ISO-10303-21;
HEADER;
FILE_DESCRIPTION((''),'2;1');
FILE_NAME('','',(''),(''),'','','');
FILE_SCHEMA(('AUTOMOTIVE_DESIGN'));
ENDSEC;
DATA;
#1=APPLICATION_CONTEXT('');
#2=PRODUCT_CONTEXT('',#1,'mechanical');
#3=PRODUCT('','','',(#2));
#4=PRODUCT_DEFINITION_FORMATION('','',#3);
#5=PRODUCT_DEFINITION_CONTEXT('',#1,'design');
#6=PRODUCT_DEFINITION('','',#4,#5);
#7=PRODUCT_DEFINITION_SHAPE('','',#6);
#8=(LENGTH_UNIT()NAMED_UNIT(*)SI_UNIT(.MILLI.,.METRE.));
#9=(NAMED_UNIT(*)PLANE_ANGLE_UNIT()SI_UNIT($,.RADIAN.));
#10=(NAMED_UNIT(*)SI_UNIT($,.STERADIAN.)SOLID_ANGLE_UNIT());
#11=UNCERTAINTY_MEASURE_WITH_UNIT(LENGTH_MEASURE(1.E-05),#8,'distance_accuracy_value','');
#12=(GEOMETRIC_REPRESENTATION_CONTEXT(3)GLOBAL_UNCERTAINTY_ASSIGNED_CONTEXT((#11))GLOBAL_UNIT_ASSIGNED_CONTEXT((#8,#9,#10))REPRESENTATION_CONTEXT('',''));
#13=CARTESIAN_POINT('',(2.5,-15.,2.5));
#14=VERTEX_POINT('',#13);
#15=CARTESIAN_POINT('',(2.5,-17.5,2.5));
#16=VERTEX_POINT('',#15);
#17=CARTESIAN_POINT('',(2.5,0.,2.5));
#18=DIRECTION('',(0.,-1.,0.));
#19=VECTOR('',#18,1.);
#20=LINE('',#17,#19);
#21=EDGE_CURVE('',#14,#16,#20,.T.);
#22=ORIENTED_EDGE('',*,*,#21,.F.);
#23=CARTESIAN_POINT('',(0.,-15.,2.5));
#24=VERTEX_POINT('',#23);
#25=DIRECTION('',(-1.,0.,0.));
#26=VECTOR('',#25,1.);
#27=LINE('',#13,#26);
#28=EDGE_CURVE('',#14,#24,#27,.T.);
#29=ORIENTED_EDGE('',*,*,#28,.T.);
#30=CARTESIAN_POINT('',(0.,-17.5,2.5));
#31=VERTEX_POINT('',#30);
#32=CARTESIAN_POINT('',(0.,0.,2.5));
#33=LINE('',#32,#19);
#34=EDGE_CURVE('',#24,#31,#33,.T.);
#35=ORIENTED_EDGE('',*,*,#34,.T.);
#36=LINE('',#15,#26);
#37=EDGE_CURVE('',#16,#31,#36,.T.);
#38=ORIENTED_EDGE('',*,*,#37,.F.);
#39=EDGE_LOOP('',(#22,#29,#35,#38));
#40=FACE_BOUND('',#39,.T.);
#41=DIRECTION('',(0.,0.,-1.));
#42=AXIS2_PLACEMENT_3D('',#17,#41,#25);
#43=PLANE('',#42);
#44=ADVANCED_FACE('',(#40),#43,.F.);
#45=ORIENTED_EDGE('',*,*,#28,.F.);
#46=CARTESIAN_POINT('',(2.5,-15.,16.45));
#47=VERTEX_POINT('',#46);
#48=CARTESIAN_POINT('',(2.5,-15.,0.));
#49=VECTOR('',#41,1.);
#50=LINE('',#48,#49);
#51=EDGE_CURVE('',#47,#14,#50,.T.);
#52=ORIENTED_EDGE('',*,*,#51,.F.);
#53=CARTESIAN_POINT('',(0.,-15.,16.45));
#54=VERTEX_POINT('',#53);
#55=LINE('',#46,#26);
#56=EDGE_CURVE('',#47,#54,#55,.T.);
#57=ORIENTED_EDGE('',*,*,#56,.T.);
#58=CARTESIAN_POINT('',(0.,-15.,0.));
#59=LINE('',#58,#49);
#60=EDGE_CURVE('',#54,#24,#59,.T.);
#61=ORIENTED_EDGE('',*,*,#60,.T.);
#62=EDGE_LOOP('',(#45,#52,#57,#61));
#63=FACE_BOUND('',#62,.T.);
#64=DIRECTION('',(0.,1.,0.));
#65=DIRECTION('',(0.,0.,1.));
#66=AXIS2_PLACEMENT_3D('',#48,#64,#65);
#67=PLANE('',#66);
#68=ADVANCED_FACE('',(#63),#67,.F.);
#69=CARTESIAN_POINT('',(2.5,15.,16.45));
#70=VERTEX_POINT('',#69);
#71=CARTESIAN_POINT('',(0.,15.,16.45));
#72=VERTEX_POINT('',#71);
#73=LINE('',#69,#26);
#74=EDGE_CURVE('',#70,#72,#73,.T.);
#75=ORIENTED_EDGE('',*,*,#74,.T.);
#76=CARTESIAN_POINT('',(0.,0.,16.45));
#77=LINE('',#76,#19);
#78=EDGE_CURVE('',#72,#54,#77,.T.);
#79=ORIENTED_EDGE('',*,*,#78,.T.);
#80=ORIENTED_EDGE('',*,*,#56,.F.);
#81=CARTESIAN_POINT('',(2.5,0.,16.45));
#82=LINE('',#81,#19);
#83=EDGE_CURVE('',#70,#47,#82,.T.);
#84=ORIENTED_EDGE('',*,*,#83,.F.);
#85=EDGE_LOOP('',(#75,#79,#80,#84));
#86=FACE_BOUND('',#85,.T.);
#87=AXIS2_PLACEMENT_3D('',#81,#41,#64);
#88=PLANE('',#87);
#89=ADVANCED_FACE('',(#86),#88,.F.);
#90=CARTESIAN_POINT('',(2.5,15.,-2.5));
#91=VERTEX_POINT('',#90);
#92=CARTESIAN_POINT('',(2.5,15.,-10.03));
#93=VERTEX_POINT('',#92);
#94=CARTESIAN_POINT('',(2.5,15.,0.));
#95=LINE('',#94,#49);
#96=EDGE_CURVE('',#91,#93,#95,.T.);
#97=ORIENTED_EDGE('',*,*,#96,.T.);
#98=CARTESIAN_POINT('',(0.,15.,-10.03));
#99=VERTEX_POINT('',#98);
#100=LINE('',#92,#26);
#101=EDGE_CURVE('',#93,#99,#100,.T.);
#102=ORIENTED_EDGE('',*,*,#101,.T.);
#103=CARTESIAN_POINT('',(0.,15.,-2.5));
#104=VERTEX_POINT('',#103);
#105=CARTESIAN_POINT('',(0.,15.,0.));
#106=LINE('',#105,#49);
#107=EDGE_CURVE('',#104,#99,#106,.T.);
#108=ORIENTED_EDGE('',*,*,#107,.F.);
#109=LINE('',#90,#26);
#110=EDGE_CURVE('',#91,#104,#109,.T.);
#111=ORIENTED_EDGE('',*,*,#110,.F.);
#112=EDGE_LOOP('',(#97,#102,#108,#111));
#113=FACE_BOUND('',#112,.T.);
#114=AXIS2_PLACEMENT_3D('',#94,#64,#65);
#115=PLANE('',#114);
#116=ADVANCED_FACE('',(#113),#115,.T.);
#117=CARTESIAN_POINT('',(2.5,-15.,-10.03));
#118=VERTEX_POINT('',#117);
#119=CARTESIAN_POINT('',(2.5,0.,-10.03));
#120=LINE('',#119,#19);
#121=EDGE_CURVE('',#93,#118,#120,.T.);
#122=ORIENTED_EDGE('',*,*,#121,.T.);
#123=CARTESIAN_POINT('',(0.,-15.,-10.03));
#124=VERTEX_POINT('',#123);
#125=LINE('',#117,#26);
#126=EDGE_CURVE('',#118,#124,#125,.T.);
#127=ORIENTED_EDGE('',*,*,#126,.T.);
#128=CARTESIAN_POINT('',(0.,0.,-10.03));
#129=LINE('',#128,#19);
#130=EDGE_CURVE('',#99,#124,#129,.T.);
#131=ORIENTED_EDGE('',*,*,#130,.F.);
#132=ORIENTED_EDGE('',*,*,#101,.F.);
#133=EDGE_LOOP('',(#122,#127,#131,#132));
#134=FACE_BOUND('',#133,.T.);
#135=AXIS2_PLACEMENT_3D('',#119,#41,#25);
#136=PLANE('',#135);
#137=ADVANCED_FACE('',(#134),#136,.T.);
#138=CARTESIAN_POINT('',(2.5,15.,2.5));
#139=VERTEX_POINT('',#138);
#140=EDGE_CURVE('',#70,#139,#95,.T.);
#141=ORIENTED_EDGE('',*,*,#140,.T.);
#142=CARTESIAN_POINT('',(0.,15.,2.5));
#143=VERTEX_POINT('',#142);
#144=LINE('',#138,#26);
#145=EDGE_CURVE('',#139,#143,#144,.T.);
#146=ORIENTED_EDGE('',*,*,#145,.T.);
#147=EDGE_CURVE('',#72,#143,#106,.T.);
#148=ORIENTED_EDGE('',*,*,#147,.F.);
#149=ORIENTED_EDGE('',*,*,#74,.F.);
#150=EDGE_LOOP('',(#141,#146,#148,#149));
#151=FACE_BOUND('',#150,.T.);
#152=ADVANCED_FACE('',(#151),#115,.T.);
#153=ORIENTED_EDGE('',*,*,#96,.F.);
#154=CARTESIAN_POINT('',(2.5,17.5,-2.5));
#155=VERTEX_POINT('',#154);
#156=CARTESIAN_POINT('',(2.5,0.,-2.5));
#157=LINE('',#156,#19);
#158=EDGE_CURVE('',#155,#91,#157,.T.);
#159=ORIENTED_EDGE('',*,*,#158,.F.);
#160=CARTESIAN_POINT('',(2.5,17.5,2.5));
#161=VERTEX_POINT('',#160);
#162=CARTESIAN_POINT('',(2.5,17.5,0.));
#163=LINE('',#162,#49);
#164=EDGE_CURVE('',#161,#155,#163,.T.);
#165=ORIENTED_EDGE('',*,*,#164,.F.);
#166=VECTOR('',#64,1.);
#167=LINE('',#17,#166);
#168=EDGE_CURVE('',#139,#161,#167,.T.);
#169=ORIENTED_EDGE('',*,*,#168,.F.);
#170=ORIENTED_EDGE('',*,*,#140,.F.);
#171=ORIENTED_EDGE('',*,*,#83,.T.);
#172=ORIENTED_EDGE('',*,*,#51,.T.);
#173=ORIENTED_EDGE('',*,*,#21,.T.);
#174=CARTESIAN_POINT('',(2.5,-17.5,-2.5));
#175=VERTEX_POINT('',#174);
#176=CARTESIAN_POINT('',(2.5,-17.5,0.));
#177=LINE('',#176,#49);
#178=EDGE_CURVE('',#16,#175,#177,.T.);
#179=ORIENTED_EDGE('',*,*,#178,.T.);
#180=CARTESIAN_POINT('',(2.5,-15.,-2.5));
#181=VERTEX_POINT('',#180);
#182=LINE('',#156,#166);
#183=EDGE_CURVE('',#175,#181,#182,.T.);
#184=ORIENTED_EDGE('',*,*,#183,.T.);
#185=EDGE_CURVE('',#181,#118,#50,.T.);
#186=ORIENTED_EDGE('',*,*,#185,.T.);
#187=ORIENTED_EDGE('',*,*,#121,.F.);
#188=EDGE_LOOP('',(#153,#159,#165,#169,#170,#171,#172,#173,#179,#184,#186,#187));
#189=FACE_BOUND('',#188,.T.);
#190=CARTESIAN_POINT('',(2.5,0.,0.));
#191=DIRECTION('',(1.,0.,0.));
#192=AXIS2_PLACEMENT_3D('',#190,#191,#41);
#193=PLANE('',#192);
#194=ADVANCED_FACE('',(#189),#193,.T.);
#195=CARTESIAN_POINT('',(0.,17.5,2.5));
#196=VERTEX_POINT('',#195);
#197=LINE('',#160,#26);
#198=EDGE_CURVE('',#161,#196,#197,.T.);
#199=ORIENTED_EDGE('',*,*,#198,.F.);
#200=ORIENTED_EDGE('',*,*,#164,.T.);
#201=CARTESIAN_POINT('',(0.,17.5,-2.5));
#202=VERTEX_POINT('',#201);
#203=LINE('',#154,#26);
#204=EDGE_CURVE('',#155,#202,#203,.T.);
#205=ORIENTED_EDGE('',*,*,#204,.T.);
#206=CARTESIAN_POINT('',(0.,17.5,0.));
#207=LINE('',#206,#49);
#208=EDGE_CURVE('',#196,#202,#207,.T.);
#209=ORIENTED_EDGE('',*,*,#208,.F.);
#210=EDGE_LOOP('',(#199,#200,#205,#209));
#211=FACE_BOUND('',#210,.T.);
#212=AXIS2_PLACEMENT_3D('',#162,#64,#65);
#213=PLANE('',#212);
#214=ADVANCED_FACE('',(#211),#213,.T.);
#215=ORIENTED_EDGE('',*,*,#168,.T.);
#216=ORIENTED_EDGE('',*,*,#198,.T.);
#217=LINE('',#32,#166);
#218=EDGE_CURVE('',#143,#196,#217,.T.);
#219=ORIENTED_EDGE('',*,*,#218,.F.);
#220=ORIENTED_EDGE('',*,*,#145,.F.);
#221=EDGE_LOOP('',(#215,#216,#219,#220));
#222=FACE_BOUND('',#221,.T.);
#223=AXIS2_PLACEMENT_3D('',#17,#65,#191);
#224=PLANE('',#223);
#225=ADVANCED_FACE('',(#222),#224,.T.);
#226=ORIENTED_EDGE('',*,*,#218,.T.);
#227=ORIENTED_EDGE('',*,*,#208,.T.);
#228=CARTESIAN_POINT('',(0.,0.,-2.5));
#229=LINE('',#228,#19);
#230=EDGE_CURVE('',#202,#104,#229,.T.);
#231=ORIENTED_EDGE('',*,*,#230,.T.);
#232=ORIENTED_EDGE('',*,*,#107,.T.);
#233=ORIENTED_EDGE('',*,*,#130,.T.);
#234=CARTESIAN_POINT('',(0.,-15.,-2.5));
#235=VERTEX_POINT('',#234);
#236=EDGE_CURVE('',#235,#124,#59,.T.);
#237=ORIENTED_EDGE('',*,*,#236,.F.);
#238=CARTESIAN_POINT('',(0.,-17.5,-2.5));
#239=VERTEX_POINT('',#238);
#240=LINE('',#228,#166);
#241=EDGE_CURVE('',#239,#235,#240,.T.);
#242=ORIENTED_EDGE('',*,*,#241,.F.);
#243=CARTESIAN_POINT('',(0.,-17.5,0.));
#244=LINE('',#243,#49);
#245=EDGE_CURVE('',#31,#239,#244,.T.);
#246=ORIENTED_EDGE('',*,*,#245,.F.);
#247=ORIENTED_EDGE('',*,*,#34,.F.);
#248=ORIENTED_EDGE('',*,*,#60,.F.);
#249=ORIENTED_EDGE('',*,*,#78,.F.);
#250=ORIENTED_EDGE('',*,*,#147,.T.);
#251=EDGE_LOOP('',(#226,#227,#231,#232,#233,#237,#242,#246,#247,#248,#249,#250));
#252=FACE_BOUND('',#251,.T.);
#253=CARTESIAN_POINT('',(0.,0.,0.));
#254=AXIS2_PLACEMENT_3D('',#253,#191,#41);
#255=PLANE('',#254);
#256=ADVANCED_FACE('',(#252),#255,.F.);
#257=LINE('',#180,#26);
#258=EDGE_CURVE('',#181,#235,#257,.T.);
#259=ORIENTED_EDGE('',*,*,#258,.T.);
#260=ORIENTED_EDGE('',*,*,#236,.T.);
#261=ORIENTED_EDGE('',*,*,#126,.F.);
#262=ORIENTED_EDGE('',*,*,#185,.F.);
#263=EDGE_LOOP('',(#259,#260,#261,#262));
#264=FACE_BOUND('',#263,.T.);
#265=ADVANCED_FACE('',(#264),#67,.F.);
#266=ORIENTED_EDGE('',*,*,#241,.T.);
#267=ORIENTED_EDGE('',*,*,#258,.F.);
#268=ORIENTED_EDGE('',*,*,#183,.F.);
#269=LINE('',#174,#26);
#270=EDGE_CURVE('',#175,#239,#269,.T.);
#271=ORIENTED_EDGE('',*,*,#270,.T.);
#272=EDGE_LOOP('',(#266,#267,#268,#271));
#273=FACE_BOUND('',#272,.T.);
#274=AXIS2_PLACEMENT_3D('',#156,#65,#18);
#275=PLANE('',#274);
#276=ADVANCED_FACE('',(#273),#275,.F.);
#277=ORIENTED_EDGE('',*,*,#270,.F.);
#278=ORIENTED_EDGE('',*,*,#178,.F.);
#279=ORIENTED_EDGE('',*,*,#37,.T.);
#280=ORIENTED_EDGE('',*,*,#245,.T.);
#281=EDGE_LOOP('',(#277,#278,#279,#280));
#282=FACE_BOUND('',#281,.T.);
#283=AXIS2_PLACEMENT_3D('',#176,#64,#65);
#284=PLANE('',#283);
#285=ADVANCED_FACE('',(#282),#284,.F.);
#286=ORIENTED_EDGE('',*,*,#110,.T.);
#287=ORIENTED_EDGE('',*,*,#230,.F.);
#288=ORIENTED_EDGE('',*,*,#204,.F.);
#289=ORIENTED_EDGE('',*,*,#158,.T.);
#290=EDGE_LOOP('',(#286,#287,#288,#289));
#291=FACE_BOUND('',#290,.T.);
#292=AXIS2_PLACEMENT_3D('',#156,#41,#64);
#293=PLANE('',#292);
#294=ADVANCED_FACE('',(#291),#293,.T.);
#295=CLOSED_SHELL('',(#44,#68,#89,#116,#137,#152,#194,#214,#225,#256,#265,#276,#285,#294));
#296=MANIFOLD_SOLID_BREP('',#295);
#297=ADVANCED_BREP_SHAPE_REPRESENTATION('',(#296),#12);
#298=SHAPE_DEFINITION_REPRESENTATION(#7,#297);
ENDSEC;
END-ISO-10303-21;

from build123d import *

# Parameters (mm, degrees)
BOSS_EXTRUDE4_DEPTH = 2.5


with BuildPart() as part:
    # Sketch1<5> → Boss-Extrude4 (new body)
    with BuildSketch(Plane(origin=(0, 0, 0), x_dir=(0, 0, -1), z_dir=(1, 0, 0))):
        Polygon((-16.45, -15), (-2.5, -15), (-2.5, -17.5), (2.5, -17.5), (2.5, -15), (10.03, -15), (10.03, 15), (2.5, 15), (2.5, 17.5), (-2.5, 17.5), (-2.5, 15), (-16.45, 15), align=None)
    extrude(amount=BOSS_EXTRUDE4_DEPTH)


solid = part.part
